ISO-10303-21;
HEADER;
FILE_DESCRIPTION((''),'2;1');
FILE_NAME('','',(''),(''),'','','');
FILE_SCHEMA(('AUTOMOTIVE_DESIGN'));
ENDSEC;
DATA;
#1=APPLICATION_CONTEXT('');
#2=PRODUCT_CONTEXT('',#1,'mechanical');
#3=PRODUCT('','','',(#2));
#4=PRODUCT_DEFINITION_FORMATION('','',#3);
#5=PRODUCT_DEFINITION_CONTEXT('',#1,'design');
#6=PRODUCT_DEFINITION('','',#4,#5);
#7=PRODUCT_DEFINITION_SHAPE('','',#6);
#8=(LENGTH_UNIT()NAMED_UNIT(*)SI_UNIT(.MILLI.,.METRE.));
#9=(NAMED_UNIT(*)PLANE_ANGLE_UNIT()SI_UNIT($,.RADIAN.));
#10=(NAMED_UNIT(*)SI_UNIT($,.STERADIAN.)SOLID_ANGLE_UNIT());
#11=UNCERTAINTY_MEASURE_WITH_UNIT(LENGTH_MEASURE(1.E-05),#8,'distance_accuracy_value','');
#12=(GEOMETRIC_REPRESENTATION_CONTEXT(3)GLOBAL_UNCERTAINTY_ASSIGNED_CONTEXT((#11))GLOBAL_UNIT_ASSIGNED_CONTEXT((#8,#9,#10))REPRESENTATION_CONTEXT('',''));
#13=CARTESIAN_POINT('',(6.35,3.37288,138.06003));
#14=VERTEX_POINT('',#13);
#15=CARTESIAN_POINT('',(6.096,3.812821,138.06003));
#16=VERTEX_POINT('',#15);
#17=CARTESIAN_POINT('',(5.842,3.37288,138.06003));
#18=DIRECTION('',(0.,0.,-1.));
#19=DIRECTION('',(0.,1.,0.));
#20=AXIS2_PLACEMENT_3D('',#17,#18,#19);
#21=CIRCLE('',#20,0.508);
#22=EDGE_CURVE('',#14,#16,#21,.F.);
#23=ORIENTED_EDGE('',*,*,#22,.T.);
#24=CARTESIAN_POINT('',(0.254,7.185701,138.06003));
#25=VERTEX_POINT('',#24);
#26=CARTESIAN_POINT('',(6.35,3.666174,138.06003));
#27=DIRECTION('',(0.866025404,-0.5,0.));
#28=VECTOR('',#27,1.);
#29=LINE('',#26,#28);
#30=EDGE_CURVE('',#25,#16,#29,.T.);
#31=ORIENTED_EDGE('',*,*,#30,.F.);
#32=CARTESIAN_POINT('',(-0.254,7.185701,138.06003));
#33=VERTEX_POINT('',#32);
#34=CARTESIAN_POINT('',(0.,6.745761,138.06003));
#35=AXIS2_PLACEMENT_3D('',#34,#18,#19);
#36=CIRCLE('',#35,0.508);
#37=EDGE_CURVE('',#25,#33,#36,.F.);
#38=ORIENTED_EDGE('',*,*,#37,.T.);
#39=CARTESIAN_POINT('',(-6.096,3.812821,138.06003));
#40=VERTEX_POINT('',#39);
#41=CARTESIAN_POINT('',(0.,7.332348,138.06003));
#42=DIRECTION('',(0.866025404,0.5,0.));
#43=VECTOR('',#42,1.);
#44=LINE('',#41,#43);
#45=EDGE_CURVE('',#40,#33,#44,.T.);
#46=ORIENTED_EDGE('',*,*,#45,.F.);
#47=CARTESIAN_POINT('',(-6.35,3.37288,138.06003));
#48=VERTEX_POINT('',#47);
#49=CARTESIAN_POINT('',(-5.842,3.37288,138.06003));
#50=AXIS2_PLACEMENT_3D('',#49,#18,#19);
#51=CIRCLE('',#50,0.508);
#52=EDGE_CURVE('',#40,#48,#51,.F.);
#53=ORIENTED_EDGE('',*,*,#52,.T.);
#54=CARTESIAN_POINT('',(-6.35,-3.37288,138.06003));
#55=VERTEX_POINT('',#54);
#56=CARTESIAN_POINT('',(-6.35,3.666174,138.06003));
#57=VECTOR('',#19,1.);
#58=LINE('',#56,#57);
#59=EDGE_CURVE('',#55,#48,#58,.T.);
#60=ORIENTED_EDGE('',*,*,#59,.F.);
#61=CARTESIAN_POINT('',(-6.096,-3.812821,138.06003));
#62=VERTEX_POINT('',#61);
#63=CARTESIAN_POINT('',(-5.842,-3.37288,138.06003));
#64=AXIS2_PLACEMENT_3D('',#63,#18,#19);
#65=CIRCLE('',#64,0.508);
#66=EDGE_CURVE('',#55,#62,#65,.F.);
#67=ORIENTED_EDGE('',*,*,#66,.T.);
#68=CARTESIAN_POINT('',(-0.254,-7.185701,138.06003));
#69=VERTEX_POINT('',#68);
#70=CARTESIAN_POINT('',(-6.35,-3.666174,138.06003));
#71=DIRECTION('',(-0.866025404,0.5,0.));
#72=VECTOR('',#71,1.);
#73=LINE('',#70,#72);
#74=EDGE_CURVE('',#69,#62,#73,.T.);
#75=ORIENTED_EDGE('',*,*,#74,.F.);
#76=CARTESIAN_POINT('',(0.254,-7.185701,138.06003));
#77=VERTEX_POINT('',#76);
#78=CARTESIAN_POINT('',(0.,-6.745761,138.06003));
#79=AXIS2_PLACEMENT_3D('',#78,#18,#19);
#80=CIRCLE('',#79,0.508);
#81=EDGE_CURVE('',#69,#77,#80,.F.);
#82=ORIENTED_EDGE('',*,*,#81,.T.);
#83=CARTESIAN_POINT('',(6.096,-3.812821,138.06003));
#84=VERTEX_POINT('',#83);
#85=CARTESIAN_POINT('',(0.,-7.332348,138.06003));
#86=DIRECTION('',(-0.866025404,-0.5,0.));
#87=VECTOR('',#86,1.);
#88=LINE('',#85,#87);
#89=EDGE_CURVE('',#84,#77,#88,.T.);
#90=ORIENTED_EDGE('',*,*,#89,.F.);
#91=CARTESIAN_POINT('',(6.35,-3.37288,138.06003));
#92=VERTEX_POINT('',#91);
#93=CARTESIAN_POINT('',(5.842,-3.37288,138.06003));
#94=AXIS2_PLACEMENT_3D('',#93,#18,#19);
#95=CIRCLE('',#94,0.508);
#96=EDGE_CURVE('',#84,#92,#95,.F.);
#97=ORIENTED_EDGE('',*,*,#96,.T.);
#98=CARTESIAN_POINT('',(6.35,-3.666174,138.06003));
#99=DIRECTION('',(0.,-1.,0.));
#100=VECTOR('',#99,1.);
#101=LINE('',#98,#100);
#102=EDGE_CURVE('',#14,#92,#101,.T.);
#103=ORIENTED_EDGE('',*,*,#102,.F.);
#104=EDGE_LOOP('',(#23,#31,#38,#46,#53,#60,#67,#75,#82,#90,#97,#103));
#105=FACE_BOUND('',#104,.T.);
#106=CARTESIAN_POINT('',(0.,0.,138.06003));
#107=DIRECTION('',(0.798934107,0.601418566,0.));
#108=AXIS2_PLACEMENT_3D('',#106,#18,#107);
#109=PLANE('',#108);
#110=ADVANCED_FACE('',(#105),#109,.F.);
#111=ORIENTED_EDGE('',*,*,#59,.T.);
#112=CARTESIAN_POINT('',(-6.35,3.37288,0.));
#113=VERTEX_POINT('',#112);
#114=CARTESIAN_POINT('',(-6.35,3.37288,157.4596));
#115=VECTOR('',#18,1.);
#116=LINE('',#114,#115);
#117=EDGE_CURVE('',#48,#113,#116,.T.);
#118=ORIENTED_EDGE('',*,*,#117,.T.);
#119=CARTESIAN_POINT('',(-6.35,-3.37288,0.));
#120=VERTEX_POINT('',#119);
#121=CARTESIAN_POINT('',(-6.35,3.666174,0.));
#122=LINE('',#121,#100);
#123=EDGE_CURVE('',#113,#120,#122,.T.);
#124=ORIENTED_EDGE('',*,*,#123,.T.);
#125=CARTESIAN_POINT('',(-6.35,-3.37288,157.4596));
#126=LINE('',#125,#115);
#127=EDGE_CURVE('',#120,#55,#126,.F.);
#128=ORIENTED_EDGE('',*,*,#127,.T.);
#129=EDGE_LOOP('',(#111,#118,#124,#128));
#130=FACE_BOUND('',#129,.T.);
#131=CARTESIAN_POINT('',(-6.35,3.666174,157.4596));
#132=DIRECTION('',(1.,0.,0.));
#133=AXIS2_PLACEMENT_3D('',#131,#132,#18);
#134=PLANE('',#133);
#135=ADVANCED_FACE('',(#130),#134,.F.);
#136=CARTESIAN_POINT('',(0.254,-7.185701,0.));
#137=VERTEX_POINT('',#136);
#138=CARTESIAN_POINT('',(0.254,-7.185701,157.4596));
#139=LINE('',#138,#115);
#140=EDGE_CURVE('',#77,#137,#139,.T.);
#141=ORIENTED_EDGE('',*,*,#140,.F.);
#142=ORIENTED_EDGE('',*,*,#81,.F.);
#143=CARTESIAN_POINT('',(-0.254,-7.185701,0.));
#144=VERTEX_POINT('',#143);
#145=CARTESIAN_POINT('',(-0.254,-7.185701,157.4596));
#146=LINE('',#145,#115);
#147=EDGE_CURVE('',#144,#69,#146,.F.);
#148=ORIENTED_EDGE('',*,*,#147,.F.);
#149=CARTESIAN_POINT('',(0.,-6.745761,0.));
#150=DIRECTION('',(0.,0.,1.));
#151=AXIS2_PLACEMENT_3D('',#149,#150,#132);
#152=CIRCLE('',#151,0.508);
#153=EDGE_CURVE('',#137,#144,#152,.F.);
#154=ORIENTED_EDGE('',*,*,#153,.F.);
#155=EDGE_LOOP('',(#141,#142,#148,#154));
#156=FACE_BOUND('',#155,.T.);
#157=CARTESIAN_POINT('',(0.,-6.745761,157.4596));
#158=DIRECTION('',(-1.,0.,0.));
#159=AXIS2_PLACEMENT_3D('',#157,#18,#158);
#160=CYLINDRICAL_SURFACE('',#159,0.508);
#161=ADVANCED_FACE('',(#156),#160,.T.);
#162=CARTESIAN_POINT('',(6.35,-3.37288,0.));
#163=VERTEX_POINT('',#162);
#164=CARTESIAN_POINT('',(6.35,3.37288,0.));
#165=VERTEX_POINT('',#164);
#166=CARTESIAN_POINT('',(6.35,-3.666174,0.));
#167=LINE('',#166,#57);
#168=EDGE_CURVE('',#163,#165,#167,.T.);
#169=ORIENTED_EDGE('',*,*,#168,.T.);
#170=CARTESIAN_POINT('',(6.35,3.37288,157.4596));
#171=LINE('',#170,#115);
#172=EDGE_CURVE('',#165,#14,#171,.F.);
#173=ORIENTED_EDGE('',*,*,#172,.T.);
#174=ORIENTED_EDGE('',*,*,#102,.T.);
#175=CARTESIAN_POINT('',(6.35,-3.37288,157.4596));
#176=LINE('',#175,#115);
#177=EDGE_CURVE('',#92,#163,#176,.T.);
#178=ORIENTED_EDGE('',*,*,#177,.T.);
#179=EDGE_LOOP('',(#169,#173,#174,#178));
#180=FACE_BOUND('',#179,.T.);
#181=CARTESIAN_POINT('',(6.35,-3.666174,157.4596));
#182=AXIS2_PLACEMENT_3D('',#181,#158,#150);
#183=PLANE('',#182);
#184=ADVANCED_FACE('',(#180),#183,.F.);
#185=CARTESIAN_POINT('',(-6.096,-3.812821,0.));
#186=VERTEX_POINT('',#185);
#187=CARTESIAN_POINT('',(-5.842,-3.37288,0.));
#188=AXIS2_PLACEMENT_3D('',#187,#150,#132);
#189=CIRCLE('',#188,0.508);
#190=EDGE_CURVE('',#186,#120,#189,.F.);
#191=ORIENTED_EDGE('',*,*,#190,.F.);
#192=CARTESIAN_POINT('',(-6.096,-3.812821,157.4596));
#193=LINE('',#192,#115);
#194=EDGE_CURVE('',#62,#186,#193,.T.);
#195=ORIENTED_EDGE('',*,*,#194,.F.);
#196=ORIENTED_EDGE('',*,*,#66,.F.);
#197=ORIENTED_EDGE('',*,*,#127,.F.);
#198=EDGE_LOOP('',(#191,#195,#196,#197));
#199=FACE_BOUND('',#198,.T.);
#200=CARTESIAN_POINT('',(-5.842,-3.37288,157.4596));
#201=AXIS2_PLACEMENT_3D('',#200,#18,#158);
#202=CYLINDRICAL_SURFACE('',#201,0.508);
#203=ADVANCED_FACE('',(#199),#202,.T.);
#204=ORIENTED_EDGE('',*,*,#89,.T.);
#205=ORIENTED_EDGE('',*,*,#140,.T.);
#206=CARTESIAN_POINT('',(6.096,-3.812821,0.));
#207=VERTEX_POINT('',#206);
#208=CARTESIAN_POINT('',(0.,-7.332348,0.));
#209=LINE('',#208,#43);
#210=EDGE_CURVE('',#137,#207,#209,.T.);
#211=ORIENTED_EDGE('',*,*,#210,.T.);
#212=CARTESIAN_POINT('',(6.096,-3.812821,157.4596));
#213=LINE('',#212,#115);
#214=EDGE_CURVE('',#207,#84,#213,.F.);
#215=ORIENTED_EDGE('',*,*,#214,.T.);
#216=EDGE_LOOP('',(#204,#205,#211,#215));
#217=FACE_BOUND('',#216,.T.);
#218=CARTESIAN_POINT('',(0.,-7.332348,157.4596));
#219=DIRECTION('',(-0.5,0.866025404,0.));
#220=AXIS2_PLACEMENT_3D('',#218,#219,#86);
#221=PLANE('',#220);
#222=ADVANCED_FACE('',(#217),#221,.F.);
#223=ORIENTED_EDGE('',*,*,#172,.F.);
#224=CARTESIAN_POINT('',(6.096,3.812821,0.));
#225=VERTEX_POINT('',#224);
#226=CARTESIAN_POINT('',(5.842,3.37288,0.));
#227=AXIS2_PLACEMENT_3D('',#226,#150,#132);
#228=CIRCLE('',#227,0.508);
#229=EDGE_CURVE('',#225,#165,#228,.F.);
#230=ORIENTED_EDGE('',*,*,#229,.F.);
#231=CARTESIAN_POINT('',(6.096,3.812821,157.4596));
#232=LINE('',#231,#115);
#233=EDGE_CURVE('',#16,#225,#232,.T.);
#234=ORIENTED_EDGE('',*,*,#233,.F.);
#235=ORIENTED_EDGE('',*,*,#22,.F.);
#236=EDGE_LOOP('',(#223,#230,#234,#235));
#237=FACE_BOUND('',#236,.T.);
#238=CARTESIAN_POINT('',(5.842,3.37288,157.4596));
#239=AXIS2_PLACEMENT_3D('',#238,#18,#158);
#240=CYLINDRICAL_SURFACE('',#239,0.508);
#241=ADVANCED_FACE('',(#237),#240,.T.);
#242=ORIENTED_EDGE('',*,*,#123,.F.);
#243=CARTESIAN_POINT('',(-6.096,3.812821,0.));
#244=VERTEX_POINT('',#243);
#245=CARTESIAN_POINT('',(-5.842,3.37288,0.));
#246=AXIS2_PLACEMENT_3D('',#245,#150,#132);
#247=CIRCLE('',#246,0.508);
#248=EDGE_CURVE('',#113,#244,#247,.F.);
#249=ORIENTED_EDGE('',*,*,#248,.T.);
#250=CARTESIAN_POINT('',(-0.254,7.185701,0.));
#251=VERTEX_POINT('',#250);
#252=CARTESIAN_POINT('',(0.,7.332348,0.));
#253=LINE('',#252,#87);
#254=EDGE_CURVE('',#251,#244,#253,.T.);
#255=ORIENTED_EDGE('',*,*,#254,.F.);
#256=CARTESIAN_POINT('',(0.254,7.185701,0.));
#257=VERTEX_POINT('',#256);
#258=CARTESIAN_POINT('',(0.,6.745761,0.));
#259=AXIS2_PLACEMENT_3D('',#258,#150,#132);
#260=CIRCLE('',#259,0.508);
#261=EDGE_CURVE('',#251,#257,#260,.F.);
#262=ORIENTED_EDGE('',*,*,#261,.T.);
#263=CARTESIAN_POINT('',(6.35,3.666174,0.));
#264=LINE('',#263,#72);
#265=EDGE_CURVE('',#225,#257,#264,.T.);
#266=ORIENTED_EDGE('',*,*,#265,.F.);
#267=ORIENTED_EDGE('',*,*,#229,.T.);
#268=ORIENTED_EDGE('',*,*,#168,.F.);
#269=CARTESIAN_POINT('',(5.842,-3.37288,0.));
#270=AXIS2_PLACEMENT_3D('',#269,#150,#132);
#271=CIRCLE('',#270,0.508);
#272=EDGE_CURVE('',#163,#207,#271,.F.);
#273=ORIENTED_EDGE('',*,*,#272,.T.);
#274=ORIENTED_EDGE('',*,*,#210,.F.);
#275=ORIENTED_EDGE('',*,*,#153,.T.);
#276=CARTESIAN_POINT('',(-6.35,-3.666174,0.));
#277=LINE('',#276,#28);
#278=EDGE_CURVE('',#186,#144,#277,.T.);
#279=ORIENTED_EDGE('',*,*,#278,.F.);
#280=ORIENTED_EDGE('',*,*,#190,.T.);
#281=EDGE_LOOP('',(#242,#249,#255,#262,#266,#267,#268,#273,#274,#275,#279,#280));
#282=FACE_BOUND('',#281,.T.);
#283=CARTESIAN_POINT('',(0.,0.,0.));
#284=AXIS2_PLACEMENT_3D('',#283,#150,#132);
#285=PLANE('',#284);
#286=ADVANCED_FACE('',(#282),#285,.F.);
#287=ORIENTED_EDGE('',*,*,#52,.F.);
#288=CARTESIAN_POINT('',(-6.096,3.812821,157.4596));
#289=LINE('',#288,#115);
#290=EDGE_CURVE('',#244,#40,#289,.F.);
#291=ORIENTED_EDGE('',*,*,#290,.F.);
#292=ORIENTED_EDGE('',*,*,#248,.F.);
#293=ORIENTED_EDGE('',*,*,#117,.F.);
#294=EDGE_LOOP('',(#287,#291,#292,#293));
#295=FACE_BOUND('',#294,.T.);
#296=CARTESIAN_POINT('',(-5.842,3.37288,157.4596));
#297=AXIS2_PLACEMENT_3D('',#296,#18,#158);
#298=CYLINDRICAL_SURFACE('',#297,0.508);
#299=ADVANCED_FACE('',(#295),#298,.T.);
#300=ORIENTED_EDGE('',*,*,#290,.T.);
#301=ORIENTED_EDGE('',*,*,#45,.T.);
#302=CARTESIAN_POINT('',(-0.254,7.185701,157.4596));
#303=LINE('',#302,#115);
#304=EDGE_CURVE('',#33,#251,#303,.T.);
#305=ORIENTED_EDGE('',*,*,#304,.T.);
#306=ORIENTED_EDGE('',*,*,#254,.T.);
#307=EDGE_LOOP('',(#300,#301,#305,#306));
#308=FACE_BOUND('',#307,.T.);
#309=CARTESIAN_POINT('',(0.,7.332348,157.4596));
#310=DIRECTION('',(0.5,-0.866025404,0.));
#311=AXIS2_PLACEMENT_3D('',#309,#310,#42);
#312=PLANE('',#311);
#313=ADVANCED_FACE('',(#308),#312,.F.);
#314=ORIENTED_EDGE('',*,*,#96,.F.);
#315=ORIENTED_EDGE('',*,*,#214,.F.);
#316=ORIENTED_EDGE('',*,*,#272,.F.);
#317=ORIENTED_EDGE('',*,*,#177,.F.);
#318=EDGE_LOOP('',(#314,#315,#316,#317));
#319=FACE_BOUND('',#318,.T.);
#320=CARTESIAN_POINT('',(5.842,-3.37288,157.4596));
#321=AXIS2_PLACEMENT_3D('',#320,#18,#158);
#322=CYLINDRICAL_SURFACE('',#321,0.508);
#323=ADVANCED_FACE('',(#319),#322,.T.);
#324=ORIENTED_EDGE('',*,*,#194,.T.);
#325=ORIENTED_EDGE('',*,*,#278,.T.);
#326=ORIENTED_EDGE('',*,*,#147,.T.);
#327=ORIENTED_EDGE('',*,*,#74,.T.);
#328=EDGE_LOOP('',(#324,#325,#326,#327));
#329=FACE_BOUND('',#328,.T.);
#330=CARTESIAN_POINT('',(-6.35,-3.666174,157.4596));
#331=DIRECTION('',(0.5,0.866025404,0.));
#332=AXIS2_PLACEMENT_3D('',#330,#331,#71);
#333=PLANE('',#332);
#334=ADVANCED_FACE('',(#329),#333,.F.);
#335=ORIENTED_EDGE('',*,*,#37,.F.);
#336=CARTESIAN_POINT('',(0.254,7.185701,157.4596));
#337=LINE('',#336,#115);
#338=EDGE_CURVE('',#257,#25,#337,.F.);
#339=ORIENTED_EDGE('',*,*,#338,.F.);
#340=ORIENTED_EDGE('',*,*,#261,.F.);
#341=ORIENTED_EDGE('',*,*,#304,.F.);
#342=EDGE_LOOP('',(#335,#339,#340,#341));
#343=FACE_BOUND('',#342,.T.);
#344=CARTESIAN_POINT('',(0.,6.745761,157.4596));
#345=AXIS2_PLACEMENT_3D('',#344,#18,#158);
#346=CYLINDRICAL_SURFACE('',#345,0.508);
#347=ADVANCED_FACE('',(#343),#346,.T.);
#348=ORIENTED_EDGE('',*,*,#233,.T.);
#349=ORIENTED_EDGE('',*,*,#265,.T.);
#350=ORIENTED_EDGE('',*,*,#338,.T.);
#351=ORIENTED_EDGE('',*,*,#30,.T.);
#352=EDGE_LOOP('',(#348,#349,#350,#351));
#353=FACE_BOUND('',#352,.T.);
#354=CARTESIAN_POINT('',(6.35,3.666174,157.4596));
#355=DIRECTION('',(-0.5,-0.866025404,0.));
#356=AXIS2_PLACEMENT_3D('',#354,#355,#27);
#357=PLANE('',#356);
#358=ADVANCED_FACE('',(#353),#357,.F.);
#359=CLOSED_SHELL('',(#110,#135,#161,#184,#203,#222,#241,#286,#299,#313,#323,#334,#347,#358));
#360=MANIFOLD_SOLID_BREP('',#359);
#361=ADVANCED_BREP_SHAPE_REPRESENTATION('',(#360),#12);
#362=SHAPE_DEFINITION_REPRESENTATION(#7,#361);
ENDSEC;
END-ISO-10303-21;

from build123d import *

# Parameters (mm, degrees)
SHAFT_BOSS_DEPTH = 138.06003
FILLET1_R        = 0.508


with BuildPart() as part:
    # Sketch1 → Shaft Boss (new body)
    with BuildSketch(Plane.XY):
        Polygon((0, 7.332348419), (-6.35, 3.666174209), (-6.35, -3.666174209), (0, -7.332348419), (6.35, -3.666174209), (6.35, 3.666174209), align=None)
    extrude(amount=SHAFT_BOSS_DEPTH)

    # Fillet1
    fillet1_edges = [part.edges().sort_by_distance(p)[0] for p in [
        (6.35, 3.666174209, 69.030015),
        (6.35, -3.666174209, 69.030015),
        (0, -7.332348419, 69.030015),
        (-6.35, -3.666174209, 69.030015),
        (-6.35, 3.666174209, 69.030015),
        (0, 7.332348419, 69.030015),
    ]]
    fillet(fillet1_edges, radius=FILLET1_R)


solid = part.part
